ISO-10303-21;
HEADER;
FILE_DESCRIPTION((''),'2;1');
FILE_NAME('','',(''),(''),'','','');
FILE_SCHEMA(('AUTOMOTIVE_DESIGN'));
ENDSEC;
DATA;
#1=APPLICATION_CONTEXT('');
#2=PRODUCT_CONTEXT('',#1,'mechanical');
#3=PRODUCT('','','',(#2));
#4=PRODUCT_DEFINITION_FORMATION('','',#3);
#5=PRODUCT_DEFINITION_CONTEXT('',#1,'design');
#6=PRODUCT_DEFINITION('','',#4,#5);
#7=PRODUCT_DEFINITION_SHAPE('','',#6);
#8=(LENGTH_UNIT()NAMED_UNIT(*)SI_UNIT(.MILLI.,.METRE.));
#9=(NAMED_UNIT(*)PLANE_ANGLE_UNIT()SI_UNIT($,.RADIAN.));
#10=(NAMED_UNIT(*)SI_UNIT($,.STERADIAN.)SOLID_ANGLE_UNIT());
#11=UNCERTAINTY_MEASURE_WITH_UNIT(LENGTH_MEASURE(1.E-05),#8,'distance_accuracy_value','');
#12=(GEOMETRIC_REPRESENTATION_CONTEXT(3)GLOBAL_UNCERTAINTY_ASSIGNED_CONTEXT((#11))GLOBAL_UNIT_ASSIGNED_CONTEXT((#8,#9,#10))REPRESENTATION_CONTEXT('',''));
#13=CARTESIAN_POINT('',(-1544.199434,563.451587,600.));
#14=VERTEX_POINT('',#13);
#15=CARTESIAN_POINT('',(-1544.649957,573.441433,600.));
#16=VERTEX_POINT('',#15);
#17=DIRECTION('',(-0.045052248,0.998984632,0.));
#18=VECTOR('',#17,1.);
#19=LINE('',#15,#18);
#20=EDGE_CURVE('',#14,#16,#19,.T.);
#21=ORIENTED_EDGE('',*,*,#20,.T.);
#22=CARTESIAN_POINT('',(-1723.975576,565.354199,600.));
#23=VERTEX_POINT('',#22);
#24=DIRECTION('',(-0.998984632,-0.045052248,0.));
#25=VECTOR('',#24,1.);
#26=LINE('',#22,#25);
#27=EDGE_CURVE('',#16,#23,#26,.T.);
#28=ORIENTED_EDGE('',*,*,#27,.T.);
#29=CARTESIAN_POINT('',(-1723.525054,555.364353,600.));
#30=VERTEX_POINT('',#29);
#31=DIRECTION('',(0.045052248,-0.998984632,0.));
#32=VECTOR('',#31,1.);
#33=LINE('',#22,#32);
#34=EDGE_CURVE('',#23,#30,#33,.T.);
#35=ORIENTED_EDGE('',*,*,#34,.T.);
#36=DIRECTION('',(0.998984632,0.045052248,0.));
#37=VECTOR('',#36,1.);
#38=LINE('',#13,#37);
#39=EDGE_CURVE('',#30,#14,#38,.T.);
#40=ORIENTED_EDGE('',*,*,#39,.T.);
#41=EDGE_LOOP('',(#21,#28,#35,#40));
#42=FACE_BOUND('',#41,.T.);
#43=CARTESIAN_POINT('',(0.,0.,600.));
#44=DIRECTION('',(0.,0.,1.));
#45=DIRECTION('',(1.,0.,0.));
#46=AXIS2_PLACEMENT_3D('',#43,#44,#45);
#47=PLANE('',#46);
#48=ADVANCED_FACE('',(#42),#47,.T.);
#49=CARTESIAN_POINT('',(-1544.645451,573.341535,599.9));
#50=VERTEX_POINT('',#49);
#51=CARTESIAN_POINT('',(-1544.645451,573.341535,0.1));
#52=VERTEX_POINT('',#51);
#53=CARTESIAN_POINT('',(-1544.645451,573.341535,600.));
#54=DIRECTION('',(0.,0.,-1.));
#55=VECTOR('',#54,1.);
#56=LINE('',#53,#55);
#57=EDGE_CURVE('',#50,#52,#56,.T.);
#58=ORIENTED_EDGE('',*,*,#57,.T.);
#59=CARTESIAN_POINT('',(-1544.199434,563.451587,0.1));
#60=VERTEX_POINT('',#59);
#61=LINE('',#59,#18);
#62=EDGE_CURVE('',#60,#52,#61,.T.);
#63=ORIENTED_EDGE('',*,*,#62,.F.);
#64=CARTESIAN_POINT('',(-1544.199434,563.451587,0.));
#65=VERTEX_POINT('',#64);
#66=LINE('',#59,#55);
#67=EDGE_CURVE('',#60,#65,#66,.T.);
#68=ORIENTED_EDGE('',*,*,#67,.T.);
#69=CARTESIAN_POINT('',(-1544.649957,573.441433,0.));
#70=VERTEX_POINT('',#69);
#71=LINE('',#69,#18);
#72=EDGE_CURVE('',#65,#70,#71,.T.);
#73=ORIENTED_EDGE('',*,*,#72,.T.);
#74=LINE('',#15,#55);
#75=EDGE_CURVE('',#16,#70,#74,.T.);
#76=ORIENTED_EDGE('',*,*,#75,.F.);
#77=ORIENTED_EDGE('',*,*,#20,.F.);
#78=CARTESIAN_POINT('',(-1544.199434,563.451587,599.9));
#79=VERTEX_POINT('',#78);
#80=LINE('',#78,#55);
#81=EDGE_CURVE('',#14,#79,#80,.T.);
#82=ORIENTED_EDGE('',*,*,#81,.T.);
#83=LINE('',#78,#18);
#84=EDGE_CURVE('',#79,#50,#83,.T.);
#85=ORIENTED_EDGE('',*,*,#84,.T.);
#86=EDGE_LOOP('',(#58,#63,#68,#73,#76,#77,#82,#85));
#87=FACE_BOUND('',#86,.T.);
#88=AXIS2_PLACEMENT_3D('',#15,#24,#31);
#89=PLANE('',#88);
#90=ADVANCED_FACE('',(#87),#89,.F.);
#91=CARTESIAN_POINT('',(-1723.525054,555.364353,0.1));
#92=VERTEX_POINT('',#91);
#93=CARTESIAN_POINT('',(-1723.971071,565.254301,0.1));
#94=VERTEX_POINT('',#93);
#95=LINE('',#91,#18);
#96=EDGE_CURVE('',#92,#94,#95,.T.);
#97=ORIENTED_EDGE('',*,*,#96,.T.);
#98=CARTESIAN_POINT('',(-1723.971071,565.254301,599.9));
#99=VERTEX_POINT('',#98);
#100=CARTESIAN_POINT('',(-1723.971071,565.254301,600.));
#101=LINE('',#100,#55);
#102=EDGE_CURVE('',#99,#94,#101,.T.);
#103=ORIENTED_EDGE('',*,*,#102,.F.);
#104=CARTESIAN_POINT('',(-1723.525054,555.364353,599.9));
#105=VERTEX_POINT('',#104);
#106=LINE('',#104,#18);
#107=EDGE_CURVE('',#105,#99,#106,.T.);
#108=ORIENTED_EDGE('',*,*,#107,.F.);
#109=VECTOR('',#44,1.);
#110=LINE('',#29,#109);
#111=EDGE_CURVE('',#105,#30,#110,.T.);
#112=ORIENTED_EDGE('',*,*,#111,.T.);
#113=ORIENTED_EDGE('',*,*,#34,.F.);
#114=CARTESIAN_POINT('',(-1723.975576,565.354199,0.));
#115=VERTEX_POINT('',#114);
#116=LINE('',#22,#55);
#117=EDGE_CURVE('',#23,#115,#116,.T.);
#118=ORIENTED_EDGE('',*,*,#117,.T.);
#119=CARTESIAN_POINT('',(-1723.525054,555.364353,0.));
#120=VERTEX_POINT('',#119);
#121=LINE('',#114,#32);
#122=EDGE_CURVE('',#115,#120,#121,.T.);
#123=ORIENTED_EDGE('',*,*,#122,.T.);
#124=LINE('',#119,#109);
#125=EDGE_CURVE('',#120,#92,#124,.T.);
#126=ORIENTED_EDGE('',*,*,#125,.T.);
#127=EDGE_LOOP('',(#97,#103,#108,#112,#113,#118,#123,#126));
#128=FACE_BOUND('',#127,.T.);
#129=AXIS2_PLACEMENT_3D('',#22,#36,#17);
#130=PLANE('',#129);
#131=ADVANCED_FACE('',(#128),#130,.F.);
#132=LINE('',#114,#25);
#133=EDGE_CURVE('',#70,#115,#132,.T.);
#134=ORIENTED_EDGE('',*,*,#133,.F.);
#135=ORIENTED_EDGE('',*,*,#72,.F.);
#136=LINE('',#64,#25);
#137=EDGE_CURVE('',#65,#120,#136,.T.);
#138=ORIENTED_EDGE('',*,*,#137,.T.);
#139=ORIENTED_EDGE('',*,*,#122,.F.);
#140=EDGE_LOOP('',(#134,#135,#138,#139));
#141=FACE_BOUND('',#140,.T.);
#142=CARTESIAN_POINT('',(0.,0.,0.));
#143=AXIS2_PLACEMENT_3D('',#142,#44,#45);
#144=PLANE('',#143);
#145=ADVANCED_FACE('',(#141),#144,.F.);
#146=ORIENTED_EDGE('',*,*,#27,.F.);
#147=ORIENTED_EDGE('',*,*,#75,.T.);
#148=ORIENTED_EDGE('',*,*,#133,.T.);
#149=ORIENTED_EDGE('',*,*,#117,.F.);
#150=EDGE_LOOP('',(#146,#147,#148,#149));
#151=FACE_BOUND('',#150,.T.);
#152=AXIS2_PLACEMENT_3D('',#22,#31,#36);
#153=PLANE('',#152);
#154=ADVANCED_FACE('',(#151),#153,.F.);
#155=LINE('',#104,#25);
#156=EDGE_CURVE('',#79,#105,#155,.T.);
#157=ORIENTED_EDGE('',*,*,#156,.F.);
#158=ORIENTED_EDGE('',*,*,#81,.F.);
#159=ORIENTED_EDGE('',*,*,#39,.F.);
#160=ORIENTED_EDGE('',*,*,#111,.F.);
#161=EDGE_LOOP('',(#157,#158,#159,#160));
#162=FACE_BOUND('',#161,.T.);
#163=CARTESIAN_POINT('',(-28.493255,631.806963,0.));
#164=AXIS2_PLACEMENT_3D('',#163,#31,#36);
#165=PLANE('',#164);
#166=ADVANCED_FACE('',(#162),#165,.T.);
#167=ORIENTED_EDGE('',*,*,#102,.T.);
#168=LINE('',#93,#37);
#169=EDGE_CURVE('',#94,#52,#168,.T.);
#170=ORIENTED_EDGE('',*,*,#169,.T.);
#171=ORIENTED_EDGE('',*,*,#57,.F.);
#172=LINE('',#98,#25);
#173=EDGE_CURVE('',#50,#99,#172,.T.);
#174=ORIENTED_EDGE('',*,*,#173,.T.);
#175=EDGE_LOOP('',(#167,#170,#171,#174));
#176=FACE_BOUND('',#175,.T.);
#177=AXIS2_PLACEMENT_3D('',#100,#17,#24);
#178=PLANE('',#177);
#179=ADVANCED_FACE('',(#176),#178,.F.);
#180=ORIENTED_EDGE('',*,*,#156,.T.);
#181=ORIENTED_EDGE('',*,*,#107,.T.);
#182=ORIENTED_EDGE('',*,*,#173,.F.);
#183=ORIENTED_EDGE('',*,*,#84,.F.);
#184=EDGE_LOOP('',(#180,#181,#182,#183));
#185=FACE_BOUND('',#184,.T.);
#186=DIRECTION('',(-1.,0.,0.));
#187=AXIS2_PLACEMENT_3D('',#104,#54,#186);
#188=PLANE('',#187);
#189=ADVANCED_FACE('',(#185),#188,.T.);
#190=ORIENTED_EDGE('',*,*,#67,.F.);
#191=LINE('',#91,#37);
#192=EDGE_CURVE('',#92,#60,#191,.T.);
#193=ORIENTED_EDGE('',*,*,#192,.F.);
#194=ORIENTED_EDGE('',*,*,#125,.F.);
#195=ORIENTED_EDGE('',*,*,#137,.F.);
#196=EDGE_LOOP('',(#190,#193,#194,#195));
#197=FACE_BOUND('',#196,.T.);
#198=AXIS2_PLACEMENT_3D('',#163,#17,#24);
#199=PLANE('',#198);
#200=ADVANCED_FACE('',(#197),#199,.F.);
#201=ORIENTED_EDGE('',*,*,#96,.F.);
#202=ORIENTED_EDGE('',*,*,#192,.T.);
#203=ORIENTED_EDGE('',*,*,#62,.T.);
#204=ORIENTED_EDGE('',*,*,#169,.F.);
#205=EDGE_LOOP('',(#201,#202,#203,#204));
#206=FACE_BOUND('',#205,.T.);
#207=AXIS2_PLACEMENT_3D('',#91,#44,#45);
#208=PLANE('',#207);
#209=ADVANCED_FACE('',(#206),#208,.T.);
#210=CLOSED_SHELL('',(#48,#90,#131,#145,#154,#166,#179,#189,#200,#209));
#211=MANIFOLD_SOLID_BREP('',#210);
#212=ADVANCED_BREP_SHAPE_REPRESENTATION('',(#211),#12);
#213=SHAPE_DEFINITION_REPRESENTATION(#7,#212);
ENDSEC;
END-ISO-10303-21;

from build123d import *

# Parameters (mm, degrees)
BOSS_EXTRUDE2_DEPTH = 600
SKETCH2_W           = 179.507885947
SKETCH2_H           = 0.1
BOSS_EXTRUDE3_DEPTH = 10
SKETCH3_W           = 179.507885947
SKETCH3_H           = 0.1
BOSS_EXTRUDE4_DEPTH = 10


with BuildPart() as part:
    # Sketch1 → Boss-Extrude2 (new body)
    with BuildSketch(Plane.XY):
        Polygon((-1723.971070815, 565.254300802), (-1544.645451435, 573.341534617), (-1544.649956659, 573.44143308), (-1723.97557604, 565.354199265), align=None)
    extrude(amount=BOSS_EXTRUDE2_DEPTH)

    # Sketch2 → Boss-Extrude3 (add)
    with BuildSketch(Plane(origin=(-28.943777696, 641.796809779, 0), x_dir=(0.998984632, 0.045052248, 0), z_dir=(-0.045052248, 0.998984632, 0))):
        with Locations((-1607.000685751, -0.05)):
            Rectangle(SKETCH2_W, SKETCH2_H)
    extrude(amount=-BOSS_EXTRUDE3_DEPTH)

    # Sketch3 → Boss-Extrude4 (add)
    with BuildSketch(Plane(origin=(-28.943777696, 641.796809779, 0), x_dir=(0.998984632, 0.045052248, 0), z_dir=(-0.045052248, 0.998984632, 0))):
        with Locations((-1607.000685751, -599.95)):
            Rectangle(SKETCH3_W, SKETCH3_H)
    extrude(amount=-BOSS_EXTRUDE4_DEPTH)


solid = part.part
